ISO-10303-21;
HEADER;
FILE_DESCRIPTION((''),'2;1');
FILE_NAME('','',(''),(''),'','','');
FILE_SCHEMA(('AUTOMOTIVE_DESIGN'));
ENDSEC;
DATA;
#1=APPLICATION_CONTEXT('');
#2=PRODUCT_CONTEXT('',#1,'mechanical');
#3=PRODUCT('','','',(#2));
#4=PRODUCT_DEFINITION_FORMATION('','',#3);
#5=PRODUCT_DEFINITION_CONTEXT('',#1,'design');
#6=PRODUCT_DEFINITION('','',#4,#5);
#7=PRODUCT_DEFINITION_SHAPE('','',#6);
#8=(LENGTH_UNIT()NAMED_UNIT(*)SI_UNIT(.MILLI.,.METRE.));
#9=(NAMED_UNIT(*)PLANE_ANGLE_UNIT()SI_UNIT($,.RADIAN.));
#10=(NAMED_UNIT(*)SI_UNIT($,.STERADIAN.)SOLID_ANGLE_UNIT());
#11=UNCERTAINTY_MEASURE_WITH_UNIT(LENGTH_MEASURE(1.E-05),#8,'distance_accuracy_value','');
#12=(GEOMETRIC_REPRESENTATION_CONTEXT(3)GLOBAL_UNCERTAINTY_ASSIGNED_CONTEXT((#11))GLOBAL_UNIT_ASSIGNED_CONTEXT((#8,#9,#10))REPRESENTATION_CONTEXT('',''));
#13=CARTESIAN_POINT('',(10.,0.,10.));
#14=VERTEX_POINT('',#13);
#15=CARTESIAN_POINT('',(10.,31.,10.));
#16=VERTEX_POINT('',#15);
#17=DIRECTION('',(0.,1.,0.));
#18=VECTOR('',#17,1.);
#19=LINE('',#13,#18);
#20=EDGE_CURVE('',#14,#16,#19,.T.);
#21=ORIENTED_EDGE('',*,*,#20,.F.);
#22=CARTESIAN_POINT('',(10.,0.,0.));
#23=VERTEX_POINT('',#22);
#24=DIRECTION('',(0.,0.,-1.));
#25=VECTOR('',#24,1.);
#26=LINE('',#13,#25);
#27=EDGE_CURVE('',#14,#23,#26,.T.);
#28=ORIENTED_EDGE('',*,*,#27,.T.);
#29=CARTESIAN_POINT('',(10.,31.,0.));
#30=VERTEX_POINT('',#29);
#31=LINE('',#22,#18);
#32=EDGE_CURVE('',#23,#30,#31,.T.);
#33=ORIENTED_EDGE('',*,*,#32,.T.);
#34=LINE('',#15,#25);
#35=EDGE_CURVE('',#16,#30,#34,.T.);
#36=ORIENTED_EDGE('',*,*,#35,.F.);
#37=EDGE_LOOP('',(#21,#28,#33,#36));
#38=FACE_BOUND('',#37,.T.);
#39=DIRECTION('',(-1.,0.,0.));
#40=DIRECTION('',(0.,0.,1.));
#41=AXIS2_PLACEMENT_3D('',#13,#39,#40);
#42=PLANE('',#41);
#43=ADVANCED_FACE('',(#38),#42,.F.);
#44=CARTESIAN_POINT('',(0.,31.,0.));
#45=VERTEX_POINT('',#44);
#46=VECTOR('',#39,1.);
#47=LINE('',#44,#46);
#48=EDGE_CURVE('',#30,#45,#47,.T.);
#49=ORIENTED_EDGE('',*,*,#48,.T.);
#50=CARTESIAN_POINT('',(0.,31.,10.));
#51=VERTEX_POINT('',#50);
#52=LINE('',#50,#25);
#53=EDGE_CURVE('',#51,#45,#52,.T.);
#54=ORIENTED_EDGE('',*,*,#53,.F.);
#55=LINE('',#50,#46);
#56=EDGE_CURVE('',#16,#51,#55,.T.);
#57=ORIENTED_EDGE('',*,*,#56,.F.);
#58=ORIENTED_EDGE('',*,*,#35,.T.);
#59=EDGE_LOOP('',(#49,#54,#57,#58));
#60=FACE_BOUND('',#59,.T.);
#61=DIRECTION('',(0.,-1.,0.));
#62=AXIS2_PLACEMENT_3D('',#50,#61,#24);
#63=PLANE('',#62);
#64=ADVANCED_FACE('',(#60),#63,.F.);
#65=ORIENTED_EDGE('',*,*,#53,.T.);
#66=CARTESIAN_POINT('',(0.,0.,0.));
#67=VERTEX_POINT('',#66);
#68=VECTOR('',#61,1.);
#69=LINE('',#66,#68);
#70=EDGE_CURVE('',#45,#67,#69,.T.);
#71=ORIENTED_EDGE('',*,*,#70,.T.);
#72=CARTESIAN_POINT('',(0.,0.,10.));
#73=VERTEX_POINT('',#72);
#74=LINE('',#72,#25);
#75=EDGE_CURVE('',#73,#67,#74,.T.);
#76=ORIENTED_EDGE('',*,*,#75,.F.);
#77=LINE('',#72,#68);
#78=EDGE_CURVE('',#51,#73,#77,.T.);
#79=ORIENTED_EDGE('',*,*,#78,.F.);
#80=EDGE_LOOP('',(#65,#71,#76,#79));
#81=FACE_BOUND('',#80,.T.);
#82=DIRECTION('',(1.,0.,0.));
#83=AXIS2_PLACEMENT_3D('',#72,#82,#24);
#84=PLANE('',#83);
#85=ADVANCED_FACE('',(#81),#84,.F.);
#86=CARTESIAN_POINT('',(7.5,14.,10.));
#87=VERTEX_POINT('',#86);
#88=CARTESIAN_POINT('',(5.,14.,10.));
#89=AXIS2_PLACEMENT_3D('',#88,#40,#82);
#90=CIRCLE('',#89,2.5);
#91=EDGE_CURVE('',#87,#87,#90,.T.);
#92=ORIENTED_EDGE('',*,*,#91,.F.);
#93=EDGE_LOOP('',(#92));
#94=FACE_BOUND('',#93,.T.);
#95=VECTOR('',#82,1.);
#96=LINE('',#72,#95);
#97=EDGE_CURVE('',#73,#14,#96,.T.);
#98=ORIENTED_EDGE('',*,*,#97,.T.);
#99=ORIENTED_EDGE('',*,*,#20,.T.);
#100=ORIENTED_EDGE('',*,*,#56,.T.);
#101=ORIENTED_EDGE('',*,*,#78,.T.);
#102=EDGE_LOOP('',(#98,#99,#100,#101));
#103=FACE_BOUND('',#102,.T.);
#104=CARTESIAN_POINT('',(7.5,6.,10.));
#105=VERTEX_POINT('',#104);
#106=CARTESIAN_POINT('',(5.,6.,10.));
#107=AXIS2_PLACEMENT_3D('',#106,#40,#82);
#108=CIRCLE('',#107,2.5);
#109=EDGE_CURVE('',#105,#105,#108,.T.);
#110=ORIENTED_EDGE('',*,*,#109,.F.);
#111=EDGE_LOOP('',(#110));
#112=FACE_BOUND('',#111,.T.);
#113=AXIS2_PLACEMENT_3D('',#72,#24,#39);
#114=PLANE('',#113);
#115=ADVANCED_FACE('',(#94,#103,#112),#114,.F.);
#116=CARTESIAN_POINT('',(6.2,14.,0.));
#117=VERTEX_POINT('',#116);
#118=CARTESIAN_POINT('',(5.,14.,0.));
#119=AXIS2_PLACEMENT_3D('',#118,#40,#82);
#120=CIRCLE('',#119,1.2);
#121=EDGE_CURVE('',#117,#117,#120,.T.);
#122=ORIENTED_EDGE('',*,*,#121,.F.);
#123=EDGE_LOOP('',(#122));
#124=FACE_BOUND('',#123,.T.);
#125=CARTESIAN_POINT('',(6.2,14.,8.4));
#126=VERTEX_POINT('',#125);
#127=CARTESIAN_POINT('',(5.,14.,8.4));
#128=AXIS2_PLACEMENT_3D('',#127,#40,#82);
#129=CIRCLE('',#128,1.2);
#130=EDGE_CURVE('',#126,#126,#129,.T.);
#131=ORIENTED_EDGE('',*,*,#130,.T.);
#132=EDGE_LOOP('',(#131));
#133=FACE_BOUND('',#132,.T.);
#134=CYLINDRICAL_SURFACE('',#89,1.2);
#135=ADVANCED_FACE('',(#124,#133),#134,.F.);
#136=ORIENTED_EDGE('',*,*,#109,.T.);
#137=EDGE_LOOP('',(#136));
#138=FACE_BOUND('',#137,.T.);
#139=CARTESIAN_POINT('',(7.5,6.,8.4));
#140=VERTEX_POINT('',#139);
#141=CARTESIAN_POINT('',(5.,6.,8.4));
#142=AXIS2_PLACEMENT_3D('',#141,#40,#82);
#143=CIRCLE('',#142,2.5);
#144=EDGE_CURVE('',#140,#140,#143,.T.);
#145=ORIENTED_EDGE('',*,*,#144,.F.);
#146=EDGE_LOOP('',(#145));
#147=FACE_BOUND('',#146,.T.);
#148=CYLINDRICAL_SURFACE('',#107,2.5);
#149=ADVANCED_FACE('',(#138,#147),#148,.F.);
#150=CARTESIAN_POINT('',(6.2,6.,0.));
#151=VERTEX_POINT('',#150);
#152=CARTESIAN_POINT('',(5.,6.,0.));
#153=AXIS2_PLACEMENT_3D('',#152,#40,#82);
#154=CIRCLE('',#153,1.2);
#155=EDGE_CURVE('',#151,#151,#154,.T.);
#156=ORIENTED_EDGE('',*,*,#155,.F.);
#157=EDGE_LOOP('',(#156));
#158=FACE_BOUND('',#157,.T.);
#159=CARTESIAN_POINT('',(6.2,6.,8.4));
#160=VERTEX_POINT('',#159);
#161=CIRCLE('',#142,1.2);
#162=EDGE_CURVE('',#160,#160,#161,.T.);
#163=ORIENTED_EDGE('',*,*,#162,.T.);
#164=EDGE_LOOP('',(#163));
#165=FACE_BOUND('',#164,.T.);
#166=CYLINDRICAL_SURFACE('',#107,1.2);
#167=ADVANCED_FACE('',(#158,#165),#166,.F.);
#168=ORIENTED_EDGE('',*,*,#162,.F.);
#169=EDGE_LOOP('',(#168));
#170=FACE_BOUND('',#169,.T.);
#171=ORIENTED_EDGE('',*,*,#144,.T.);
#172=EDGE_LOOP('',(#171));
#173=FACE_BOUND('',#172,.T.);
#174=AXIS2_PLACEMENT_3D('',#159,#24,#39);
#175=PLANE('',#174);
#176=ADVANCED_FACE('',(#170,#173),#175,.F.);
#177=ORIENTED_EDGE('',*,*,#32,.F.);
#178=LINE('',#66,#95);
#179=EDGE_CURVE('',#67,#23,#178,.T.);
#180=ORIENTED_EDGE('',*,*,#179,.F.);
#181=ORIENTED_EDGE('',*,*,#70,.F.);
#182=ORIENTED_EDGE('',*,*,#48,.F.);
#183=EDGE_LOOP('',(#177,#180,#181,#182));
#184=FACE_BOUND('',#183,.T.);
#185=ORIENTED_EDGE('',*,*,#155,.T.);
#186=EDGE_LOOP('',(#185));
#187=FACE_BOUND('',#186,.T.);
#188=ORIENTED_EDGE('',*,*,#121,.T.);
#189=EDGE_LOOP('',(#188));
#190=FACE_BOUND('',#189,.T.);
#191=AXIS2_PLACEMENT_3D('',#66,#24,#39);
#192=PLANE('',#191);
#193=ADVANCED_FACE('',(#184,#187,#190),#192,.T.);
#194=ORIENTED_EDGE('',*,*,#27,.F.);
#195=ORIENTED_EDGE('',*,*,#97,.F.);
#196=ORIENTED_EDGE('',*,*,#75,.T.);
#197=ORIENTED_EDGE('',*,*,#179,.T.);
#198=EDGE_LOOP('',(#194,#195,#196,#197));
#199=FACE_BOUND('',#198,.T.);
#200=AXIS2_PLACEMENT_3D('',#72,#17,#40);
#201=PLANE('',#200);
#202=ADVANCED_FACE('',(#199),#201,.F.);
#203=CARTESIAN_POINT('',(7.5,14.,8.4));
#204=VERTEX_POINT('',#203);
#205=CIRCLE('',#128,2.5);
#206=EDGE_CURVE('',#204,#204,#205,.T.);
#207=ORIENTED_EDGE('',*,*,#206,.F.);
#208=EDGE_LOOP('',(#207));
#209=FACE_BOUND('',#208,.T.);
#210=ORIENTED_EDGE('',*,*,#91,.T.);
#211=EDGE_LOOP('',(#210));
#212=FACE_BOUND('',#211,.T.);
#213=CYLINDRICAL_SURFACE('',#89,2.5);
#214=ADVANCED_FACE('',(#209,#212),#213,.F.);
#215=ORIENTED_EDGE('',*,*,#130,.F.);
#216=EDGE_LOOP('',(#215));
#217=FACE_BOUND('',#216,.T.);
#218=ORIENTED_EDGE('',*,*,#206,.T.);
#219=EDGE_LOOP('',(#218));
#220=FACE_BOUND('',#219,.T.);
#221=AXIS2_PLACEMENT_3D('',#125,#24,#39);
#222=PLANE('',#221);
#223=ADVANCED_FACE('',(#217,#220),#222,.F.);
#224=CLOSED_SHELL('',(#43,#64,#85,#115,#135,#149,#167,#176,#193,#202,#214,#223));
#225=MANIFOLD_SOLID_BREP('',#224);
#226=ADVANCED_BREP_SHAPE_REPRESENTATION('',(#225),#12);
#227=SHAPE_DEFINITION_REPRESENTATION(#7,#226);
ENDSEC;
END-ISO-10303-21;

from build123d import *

# Parameters (mm, degrees)
SKETCH1_W                                = 10
SKETCH1_H                                = 31
BOSS_EXTRUDE1_DEPTH                      = 10
CBORE_FOR_M2_PAN_HEAD_SCREW1_D           = 2.4
CBORE_FOR_M2_PAN_HEAD_SCREW1_DEPTH       = 10
CBORE_FOR_M2_PAN_HEAD_SCREW1_CBORE_D     = 5
CBORE_FOR_M2_PAN_HEAD_SCREW1_CBORE_DEPTH = 1.6
CBORE_FOR_M2_PAN_HEAD_SCREW1_TIP         = 0.721032743


with BuildPart() as part:
    # Sketch1 → Boss-Extrude1 (new body)
    with BuildSketch(Plane.XY):
        with Locations((5, 15.5)):
            Rectangle(SKETCH1_W, SKETCH1_H)
    extrude(amount=BOSS_EXTRUDE1_DEPTH)

    # CBORE for M2 Pan Head Screw1
    with Locations(Plane(origin=(5, 14, 10), x_dir=(1, 0, 0), z_dir=(0, 0, 1))):
        with Locations((0, 0), (0, -8)):
            CounterBoreHole(CBORE_FOR_M2_PAN_HEAD_SCREW1_D / 2, CBORE_FOR_M2_PAN_HEAD_SCREW1_CBORE_D / 2, CBORE_FOR_M2_PAN_HEAD_SCREW1_CBORE_DEPTH, depth=CBORE_FOR_M2_PAN_HEAD_SCREW1_DEPTH)
            with Locations((0, 0, -(CBORE_FOR_M2_PAN_HEAD_SCREW1_DEPTH + CBORE_FOR_M2_PAN_HEAD_SCREW1_TIP / 2))):  # 118° drill point
                Cone(0, CBORE_FOR_M2_PAN_HEAD_SCREW1_D / 2, CBORE_FOR_M2_PAN_HEAD_SCREW1_TIP, mode=Mode.SUBTRACT)


solid = part.part
